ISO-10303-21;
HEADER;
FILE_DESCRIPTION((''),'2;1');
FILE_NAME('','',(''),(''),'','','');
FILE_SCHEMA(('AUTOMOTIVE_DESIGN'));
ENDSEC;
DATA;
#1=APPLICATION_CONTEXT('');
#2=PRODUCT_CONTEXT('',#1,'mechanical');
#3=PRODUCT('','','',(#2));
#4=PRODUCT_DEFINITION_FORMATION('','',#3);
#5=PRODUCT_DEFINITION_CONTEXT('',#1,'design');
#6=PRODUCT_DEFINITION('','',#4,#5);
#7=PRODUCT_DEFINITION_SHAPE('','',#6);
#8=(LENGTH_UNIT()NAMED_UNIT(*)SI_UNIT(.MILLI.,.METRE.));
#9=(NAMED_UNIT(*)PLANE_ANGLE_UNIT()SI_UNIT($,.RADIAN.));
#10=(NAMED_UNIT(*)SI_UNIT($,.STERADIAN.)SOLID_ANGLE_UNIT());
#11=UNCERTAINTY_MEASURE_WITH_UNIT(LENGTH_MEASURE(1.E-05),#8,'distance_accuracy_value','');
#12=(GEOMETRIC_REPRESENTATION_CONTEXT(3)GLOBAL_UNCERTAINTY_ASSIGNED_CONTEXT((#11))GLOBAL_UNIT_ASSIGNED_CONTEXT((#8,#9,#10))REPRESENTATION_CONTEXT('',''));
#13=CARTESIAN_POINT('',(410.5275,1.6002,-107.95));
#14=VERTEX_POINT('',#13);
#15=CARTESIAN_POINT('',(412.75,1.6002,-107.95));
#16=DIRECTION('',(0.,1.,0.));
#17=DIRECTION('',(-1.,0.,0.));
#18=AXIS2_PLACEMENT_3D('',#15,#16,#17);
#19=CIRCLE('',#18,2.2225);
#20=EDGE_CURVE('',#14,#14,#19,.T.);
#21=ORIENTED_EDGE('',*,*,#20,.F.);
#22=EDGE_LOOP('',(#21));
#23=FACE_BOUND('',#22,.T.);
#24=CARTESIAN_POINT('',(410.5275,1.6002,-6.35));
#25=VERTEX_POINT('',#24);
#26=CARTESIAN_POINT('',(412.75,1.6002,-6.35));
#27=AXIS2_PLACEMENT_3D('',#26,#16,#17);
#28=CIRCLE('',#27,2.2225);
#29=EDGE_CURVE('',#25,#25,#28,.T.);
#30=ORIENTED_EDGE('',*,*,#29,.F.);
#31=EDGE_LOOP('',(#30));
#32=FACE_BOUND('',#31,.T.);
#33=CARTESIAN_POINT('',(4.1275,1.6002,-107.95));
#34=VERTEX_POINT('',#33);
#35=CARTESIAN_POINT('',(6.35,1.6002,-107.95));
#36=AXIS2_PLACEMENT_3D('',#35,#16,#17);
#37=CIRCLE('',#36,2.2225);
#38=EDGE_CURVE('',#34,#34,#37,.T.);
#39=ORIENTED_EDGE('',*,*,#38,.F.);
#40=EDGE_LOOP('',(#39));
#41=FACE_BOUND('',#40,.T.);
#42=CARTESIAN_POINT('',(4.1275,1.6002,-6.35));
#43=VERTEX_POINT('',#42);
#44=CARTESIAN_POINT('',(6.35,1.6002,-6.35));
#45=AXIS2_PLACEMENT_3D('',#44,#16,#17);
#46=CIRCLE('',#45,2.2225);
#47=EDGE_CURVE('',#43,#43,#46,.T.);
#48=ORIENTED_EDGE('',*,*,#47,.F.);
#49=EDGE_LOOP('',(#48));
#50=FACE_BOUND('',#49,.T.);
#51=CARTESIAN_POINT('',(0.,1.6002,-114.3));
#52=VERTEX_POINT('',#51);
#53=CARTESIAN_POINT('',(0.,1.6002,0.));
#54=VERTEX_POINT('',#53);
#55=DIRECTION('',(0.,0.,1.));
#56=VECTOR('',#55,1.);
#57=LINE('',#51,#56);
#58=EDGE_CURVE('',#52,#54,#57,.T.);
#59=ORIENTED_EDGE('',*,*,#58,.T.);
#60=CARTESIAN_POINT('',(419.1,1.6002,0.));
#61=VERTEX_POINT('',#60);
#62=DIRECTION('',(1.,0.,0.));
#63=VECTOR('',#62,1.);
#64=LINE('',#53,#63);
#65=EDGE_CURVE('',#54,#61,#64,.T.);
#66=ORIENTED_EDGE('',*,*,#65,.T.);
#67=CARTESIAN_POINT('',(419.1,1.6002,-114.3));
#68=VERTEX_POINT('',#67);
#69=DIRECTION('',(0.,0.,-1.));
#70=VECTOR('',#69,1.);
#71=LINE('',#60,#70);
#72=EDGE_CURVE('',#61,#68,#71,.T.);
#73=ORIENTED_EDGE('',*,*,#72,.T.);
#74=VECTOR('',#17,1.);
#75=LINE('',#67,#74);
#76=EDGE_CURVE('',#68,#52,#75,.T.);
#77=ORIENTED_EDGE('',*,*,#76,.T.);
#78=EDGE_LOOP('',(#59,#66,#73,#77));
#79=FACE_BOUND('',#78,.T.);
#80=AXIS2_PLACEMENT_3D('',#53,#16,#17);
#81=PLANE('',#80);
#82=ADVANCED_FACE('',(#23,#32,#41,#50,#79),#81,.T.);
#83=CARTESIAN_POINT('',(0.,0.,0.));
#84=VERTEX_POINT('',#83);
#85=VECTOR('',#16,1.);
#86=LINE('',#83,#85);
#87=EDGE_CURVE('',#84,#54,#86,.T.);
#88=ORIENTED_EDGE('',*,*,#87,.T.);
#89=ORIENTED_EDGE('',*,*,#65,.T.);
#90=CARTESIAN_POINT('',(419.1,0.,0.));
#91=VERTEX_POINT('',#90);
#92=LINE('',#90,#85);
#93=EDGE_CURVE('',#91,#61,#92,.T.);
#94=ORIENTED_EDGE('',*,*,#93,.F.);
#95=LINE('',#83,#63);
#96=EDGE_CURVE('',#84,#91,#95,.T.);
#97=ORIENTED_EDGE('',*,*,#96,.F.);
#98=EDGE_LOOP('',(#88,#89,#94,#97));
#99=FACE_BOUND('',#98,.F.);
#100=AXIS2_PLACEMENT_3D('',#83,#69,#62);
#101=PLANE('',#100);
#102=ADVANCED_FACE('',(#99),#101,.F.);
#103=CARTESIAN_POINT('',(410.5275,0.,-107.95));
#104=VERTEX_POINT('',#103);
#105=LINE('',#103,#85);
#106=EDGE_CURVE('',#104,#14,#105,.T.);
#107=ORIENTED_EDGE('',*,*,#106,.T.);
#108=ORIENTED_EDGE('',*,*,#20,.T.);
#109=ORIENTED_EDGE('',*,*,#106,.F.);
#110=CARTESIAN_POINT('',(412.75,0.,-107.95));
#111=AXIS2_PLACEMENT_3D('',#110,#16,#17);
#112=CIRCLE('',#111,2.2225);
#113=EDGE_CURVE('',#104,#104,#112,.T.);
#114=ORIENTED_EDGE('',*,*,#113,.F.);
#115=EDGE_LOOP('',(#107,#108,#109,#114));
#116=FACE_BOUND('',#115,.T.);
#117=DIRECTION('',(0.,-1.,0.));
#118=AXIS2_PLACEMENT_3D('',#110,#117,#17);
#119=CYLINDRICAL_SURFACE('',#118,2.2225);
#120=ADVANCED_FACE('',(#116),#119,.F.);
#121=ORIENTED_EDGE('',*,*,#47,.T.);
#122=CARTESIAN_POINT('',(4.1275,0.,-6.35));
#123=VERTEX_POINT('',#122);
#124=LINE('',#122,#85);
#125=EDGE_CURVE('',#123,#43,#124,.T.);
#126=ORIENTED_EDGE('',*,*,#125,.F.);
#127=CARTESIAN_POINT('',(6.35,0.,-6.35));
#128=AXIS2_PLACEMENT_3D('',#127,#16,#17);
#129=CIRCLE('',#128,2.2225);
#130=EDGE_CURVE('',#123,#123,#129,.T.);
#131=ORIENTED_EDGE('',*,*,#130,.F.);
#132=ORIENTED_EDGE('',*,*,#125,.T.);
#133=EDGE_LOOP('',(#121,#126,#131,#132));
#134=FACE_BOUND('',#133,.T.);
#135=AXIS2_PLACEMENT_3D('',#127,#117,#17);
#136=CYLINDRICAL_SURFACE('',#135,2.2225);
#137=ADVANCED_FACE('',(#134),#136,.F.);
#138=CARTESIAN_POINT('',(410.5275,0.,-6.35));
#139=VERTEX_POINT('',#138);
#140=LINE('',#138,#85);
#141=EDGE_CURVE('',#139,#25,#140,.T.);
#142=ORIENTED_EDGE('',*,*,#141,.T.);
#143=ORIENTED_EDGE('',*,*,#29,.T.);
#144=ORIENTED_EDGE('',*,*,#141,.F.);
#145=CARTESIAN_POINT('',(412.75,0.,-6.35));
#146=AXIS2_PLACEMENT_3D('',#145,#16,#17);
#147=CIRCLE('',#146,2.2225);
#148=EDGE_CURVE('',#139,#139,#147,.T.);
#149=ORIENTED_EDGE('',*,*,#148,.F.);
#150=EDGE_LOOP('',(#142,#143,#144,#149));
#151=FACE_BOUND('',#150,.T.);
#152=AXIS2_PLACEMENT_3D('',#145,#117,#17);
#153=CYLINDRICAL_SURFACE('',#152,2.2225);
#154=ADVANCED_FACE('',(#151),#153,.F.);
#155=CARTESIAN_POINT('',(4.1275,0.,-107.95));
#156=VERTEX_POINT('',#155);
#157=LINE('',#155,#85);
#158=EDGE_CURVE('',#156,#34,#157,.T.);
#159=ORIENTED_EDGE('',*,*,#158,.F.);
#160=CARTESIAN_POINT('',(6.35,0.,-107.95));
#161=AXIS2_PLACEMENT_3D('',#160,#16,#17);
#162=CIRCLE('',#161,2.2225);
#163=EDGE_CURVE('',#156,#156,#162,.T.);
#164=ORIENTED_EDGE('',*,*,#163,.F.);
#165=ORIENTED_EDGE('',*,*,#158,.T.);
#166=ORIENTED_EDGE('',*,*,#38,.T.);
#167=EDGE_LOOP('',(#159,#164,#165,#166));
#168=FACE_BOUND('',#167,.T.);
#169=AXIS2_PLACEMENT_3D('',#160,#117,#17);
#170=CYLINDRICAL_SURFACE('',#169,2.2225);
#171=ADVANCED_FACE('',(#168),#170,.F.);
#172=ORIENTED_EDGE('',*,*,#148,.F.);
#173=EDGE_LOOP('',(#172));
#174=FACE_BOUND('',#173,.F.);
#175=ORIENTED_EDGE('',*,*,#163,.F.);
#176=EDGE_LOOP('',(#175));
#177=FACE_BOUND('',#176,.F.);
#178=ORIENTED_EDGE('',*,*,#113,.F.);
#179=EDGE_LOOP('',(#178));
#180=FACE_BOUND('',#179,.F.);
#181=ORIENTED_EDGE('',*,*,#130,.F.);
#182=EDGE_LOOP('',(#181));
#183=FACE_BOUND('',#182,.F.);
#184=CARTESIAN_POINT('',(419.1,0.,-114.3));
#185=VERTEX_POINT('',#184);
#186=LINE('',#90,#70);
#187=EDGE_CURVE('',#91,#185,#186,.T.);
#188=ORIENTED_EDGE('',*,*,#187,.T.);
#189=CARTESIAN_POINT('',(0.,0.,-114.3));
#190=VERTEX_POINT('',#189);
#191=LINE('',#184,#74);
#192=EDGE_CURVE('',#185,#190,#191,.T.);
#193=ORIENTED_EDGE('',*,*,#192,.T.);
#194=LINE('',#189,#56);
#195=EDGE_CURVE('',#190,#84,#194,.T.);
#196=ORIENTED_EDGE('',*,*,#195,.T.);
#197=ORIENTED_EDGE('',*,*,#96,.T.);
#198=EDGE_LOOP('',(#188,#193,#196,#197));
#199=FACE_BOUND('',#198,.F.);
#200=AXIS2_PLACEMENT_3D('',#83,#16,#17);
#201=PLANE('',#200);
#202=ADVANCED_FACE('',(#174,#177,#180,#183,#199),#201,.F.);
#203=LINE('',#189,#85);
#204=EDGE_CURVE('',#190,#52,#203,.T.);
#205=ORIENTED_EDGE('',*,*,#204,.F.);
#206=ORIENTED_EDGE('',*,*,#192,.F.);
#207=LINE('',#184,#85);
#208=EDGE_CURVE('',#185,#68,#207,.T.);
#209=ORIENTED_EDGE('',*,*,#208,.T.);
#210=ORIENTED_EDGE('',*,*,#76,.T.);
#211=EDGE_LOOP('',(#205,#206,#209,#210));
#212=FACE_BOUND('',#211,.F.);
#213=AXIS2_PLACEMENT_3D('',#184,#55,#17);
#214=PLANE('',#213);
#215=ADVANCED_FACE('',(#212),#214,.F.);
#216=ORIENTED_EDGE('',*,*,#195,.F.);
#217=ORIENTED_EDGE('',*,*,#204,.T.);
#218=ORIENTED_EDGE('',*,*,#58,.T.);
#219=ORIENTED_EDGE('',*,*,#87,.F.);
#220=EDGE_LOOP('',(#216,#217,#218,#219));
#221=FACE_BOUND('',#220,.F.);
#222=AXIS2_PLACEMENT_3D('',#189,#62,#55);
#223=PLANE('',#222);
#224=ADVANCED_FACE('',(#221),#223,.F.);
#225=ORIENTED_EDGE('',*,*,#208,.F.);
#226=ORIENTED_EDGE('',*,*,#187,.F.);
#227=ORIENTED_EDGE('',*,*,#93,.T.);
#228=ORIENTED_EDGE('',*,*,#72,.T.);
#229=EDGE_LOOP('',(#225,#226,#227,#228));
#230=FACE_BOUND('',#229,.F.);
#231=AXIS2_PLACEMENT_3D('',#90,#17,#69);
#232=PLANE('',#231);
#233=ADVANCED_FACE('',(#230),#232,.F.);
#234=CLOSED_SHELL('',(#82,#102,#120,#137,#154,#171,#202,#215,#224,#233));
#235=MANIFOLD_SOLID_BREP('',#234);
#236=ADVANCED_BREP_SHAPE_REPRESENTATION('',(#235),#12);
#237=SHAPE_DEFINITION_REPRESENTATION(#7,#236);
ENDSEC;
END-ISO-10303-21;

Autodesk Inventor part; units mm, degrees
ref_plane "YZ Plane" through (0, 0, 0) normal (1, 0, 0) x (0, 1, 0)
ref_plane "XZ Plane" through (0, 0, 0) normal (0, 1, 0) x (-1, 0, 0)
ref_plane "XY Plane" through (0, 0, 0) normal (0, 0, 1) x (1, 0, 0)
sketch "Sketch1" plane through (0, 0, 0) normal (0, 1, 0) x (-1, 0, 0)
  line L0 (0, 0) -> (-419.1, 0)
  line L1 (-419.1, 0) -> (-419.1, -114.3)
  line L2 (-419.1, -114.3) -> (0, -114.3)
  line L3 (0, -114.3) -> (0, 0)
  circle A0 centre (-6.35, -6.35) radius 2.2225
  circle A1 centre (-6.35, -107.95) radius 2.2225
  circle A2 centre (-412.75, -6.35) radius 2.2225
  circle A3 centre (-412.75, -107.95) radius 2.2225
  dimension "d0" = 419.1
  dimension "d1" = 114.3
  dimension "d2" = 4.445
  dimension "d3" = 4.445
  dimension "d4" = 4.445
  dimension "d5" = 4.445
extrude "Extrusion1" add sketch "Sketch1" along normal blind 1.6002
properties part number "conveyorv2_backing"
